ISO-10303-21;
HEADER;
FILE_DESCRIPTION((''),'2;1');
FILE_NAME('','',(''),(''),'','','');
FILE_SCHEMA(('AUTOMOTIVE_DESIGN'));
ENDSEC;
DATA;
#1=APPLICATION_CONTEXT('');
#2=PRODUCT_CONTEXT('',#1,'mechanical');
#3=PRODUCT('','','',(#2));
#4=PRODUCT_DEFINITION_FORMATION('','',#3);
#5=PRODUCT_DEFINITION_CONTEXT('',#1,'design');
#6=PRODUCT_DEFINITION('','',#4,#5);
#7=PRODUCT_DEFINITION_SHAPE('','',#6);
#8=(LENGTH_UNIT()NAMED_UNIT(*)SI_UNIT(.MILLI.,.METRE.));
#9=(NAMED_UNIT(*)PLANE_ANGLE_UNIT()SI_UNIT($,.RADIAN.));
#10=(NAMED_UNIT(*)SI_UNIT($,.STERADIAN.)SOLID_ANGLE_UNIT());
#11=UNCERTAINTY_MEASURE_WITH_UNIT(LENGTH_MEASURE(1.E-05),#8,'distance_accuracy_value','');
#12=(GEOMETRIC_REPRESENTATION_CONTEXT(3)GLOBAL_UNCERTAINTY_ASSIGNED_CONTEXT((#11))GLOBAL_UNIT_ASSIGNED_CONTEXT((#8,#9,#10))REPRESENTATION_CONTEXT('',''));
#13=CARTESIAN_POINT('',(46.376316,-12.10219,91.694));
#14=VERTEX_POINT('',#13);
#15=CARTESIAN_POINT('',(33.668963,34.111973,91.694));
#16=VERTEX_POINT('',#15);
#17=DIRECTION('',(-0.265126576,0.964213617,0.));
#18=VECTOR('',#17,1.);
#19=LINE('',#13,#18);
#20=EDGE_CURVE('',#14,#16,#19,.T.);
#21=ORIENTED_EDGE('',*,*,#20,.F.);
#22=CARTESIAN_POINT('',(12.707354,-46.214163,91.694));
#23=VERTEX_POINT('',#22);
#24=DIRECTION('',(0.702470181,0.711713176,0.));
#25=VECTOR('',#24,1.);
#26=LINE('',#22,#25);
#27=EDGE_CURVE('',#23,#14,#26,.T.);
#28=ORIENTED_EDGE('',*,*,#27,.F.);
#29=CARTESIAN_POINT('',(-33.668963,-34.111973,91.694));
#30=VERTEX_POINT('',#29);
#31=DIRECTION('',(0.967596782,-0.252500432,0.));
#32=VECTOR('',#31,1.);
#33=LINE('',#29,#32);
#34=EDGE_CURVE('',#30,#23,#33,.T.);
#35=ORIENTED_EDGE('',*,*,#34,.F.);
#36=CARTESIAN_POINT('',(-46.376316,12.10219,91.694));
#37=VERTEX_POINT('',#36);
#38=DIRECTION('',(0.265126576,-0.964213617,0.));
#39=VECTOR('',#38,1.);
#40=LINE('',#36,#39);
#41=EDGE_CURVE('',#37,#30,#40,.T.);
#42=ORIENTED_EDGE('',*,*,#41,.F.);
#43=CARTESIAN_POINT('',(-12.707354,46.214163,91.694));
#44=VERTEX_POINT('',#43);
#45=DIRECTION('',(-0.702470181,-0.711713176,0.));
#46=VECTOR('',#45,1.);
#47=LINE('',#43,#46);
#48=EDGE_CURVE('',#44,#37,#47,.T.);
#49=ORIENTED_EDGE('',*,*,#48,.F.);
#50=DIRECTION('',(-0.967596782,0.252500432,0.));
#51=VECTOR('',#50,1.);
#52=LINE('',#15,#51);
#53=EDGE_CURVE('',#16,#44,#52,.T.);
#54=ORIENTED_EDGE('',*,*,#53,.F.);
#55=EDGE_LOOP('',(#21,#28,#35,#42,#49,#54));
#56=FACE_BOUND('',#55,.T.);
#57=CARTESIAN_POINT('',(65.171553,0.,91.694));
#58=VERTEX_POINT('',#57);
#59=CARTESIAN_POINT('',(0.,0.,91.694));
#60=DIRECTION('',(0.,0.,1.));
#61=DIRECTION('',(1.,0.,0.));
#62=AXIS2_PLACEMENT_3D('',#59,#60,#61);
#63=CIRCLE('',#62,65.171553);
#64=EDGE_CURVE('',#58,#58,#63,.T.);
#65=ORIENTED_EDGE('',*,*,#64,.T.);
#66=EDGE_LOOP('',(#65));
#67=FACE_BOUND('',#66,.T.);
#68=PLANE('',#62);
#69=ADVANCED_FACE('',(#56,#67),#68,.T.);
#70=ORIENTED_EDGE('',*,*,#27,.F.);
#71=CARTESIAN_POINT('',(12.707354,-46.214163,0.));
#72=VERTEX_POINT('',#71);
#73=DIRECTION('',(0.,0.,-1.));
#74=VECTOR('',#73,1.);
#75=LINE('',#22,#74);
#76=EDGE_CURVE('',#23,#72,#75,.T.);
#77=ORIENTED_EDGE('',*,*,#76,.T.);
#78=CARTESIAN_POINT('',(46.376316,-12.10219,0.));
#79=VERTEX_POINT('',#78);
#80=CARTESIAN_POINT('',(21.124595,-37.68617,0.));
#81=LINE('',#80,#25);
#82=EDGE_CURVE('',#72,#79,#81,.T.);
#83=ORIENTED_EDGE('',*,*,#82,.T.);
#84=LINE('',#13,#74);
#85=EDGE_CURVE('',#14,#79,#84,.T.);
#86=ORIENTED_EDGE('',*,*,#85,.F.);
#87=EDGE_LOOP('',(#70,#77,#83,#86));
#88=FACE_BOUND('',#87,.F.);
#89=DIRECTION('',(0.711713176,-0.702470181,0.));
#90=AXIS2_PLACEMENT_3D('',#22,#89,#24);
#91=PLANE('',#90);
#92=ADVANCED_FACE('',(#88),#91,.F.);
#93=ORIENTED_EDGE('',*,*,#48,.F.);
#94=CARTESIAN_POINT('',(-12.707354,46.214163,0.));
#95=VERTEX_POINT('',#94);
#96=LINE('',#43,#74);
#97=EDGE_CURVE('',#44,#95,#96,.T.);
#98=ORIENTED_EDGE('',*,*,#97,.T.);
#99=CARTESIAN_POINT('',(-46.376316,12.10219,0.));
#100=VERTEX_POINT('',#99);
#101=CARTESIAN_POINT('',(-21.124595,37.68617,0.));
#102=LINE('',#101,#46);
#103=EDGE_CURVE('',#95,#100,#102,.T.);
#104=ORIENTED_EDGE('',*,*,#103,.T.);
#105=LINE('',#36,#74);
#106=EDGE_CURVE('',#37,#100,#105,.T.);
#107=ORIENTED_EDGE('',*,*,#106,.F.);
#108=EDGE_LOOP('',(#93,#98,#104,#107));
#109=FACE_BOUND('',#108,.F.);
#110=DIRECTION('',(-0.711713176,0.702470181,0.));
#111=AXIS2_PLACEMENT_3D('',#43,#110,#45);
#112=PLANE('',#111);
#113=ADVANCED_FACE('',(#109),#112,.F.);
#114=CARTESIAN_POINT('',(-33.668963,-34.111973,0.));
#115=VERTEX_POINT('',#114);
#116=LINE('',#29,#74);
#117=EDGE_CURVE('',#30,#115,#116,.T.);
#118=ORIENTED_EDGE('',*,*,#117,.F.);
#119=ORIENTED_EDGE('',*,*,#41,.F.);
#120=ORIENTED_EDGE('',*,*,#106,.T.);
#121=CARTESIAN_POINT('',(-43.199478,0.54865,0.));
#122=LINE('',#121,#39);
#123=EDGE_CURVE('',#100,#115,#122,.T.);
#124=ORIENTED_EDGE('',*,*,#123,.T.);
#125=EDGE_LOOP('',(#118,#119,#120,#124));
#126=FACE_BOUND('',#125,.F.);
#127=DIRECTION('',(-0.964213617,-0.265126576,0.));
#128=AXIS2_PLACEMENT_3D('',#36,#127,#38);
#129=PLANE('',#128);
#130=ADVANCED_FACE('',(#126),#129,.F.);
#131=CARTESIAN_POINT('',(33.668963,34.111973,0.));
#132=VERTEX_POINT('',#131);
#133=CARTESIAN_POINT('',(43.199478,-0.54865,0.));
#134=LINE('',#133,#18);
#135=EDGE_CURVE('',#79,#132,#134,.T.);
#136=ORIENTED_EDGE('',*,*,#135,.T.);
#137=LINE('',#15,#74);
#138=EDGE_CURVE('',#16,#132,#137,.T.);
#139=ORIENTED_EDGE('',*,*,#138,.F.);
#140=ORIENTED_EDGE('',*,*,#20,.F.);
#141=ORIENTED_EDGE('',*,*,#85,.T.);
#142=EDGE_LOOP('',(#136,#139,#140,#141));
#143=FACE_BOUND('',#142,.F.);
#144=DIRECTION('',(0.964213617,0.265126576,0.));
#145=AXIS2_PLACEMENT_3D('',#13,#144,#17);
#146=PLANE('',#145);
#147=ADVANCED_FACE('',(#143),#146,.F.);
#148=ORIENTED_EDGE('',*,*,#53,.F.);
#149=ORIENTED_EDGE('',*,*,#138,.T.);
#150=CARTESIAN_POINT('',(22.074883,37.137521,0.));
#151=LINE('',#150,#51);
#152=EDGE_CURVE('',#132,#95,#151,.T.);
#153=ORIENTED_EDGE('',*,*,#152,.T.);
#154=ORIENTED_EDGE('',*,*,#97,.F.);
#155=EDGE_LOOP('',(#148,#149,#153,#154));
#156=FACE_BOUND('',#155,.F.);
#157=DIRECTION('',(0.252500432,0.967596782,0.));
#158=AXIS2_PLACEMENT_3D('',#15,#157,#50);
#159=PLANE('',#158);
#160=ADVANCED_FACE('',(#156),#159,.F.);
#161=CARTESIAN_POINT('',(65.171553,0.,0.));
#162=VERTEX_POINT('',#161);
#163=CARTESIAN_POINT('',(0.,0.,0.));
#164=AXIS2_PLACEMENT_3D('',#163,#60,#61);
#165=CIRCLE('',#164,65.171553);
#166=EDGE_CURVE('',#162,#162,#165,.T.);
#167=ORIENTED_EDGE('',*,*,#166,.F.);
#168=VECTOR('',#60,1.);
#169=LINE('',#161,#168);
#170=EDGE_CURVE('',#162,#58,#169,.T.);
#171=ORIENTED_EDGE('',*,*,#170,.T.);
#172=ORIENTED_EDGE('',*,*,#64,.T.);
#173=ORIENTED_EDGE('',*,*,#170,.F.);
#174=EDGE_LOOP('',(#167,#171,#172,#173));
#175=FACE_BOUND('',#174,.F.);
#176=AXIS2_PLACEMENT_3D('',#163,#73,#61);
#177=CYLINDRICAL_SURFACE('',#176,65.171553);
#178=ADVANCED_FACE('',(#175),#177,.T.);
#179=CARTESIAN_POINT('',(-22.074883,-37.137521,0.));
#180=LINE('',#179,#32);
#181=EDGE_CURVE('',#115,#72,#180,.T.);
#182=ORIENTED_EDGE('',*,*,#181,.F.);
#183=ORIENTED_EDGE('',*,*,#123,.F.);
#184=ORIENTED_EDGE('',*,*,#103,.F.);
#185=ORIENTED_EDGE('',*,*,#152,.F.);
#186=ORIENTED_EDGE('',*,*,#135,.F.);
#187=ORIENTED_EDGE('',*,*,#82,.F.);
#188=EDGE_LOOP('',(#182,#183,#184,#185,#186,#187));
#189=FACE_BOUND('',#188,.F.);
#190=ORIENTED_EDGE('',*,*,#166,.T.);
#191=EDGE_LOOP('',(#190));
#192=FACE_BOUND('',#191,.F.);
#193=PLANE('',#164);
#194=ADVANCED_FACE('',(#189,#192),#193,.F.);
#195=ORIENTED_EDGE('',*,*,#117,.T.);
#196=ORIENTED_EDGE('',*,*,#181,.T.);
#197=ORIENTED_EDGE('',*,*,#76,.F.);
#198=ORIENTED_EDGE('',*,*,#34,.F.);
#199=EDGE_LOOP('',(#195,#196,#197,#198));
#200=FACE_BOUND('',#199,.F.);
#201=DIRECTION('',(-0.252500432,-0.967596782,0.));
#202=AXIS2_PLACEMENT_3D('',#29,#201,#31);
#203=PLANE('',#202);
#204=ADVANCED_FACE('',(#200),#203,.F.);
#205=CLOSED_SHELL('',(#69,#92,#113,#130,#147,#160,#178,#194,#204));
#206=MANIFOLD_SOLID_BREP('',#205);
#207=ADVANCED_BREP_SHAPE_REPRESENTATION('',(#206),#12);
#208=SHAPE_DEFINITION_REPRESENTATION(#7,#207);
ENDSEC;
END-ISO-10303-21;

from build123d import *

# Parameters (mm, degrees)
F0_R     = 65.171553
F1_DEPTH = 91.694
F4_DEPTH = 91.695


with BuildPart() as f1:
    # F0 (on Top) → F1 (new body)
    with BuildSketch(Plane.XY):
        Circle(F0_R)
    extrude(amount=F1_DEPTH)

    # F3 (on face) → F4 (cut, through all)
    with BuildSketch(Plane.XY.offset(91.694)):
        Polygon((33.668963, 34.111973), (-12.707354, 46.214163), (-46.376316, 12.10219), (-33.668963, -34.111973), (12.707354, -46.214163), (46.376316, -12.10219), align=None)
    extrude(amount=-F4_DEPTH, mode=Mode.SUBTRACT)


solid = f1.part
